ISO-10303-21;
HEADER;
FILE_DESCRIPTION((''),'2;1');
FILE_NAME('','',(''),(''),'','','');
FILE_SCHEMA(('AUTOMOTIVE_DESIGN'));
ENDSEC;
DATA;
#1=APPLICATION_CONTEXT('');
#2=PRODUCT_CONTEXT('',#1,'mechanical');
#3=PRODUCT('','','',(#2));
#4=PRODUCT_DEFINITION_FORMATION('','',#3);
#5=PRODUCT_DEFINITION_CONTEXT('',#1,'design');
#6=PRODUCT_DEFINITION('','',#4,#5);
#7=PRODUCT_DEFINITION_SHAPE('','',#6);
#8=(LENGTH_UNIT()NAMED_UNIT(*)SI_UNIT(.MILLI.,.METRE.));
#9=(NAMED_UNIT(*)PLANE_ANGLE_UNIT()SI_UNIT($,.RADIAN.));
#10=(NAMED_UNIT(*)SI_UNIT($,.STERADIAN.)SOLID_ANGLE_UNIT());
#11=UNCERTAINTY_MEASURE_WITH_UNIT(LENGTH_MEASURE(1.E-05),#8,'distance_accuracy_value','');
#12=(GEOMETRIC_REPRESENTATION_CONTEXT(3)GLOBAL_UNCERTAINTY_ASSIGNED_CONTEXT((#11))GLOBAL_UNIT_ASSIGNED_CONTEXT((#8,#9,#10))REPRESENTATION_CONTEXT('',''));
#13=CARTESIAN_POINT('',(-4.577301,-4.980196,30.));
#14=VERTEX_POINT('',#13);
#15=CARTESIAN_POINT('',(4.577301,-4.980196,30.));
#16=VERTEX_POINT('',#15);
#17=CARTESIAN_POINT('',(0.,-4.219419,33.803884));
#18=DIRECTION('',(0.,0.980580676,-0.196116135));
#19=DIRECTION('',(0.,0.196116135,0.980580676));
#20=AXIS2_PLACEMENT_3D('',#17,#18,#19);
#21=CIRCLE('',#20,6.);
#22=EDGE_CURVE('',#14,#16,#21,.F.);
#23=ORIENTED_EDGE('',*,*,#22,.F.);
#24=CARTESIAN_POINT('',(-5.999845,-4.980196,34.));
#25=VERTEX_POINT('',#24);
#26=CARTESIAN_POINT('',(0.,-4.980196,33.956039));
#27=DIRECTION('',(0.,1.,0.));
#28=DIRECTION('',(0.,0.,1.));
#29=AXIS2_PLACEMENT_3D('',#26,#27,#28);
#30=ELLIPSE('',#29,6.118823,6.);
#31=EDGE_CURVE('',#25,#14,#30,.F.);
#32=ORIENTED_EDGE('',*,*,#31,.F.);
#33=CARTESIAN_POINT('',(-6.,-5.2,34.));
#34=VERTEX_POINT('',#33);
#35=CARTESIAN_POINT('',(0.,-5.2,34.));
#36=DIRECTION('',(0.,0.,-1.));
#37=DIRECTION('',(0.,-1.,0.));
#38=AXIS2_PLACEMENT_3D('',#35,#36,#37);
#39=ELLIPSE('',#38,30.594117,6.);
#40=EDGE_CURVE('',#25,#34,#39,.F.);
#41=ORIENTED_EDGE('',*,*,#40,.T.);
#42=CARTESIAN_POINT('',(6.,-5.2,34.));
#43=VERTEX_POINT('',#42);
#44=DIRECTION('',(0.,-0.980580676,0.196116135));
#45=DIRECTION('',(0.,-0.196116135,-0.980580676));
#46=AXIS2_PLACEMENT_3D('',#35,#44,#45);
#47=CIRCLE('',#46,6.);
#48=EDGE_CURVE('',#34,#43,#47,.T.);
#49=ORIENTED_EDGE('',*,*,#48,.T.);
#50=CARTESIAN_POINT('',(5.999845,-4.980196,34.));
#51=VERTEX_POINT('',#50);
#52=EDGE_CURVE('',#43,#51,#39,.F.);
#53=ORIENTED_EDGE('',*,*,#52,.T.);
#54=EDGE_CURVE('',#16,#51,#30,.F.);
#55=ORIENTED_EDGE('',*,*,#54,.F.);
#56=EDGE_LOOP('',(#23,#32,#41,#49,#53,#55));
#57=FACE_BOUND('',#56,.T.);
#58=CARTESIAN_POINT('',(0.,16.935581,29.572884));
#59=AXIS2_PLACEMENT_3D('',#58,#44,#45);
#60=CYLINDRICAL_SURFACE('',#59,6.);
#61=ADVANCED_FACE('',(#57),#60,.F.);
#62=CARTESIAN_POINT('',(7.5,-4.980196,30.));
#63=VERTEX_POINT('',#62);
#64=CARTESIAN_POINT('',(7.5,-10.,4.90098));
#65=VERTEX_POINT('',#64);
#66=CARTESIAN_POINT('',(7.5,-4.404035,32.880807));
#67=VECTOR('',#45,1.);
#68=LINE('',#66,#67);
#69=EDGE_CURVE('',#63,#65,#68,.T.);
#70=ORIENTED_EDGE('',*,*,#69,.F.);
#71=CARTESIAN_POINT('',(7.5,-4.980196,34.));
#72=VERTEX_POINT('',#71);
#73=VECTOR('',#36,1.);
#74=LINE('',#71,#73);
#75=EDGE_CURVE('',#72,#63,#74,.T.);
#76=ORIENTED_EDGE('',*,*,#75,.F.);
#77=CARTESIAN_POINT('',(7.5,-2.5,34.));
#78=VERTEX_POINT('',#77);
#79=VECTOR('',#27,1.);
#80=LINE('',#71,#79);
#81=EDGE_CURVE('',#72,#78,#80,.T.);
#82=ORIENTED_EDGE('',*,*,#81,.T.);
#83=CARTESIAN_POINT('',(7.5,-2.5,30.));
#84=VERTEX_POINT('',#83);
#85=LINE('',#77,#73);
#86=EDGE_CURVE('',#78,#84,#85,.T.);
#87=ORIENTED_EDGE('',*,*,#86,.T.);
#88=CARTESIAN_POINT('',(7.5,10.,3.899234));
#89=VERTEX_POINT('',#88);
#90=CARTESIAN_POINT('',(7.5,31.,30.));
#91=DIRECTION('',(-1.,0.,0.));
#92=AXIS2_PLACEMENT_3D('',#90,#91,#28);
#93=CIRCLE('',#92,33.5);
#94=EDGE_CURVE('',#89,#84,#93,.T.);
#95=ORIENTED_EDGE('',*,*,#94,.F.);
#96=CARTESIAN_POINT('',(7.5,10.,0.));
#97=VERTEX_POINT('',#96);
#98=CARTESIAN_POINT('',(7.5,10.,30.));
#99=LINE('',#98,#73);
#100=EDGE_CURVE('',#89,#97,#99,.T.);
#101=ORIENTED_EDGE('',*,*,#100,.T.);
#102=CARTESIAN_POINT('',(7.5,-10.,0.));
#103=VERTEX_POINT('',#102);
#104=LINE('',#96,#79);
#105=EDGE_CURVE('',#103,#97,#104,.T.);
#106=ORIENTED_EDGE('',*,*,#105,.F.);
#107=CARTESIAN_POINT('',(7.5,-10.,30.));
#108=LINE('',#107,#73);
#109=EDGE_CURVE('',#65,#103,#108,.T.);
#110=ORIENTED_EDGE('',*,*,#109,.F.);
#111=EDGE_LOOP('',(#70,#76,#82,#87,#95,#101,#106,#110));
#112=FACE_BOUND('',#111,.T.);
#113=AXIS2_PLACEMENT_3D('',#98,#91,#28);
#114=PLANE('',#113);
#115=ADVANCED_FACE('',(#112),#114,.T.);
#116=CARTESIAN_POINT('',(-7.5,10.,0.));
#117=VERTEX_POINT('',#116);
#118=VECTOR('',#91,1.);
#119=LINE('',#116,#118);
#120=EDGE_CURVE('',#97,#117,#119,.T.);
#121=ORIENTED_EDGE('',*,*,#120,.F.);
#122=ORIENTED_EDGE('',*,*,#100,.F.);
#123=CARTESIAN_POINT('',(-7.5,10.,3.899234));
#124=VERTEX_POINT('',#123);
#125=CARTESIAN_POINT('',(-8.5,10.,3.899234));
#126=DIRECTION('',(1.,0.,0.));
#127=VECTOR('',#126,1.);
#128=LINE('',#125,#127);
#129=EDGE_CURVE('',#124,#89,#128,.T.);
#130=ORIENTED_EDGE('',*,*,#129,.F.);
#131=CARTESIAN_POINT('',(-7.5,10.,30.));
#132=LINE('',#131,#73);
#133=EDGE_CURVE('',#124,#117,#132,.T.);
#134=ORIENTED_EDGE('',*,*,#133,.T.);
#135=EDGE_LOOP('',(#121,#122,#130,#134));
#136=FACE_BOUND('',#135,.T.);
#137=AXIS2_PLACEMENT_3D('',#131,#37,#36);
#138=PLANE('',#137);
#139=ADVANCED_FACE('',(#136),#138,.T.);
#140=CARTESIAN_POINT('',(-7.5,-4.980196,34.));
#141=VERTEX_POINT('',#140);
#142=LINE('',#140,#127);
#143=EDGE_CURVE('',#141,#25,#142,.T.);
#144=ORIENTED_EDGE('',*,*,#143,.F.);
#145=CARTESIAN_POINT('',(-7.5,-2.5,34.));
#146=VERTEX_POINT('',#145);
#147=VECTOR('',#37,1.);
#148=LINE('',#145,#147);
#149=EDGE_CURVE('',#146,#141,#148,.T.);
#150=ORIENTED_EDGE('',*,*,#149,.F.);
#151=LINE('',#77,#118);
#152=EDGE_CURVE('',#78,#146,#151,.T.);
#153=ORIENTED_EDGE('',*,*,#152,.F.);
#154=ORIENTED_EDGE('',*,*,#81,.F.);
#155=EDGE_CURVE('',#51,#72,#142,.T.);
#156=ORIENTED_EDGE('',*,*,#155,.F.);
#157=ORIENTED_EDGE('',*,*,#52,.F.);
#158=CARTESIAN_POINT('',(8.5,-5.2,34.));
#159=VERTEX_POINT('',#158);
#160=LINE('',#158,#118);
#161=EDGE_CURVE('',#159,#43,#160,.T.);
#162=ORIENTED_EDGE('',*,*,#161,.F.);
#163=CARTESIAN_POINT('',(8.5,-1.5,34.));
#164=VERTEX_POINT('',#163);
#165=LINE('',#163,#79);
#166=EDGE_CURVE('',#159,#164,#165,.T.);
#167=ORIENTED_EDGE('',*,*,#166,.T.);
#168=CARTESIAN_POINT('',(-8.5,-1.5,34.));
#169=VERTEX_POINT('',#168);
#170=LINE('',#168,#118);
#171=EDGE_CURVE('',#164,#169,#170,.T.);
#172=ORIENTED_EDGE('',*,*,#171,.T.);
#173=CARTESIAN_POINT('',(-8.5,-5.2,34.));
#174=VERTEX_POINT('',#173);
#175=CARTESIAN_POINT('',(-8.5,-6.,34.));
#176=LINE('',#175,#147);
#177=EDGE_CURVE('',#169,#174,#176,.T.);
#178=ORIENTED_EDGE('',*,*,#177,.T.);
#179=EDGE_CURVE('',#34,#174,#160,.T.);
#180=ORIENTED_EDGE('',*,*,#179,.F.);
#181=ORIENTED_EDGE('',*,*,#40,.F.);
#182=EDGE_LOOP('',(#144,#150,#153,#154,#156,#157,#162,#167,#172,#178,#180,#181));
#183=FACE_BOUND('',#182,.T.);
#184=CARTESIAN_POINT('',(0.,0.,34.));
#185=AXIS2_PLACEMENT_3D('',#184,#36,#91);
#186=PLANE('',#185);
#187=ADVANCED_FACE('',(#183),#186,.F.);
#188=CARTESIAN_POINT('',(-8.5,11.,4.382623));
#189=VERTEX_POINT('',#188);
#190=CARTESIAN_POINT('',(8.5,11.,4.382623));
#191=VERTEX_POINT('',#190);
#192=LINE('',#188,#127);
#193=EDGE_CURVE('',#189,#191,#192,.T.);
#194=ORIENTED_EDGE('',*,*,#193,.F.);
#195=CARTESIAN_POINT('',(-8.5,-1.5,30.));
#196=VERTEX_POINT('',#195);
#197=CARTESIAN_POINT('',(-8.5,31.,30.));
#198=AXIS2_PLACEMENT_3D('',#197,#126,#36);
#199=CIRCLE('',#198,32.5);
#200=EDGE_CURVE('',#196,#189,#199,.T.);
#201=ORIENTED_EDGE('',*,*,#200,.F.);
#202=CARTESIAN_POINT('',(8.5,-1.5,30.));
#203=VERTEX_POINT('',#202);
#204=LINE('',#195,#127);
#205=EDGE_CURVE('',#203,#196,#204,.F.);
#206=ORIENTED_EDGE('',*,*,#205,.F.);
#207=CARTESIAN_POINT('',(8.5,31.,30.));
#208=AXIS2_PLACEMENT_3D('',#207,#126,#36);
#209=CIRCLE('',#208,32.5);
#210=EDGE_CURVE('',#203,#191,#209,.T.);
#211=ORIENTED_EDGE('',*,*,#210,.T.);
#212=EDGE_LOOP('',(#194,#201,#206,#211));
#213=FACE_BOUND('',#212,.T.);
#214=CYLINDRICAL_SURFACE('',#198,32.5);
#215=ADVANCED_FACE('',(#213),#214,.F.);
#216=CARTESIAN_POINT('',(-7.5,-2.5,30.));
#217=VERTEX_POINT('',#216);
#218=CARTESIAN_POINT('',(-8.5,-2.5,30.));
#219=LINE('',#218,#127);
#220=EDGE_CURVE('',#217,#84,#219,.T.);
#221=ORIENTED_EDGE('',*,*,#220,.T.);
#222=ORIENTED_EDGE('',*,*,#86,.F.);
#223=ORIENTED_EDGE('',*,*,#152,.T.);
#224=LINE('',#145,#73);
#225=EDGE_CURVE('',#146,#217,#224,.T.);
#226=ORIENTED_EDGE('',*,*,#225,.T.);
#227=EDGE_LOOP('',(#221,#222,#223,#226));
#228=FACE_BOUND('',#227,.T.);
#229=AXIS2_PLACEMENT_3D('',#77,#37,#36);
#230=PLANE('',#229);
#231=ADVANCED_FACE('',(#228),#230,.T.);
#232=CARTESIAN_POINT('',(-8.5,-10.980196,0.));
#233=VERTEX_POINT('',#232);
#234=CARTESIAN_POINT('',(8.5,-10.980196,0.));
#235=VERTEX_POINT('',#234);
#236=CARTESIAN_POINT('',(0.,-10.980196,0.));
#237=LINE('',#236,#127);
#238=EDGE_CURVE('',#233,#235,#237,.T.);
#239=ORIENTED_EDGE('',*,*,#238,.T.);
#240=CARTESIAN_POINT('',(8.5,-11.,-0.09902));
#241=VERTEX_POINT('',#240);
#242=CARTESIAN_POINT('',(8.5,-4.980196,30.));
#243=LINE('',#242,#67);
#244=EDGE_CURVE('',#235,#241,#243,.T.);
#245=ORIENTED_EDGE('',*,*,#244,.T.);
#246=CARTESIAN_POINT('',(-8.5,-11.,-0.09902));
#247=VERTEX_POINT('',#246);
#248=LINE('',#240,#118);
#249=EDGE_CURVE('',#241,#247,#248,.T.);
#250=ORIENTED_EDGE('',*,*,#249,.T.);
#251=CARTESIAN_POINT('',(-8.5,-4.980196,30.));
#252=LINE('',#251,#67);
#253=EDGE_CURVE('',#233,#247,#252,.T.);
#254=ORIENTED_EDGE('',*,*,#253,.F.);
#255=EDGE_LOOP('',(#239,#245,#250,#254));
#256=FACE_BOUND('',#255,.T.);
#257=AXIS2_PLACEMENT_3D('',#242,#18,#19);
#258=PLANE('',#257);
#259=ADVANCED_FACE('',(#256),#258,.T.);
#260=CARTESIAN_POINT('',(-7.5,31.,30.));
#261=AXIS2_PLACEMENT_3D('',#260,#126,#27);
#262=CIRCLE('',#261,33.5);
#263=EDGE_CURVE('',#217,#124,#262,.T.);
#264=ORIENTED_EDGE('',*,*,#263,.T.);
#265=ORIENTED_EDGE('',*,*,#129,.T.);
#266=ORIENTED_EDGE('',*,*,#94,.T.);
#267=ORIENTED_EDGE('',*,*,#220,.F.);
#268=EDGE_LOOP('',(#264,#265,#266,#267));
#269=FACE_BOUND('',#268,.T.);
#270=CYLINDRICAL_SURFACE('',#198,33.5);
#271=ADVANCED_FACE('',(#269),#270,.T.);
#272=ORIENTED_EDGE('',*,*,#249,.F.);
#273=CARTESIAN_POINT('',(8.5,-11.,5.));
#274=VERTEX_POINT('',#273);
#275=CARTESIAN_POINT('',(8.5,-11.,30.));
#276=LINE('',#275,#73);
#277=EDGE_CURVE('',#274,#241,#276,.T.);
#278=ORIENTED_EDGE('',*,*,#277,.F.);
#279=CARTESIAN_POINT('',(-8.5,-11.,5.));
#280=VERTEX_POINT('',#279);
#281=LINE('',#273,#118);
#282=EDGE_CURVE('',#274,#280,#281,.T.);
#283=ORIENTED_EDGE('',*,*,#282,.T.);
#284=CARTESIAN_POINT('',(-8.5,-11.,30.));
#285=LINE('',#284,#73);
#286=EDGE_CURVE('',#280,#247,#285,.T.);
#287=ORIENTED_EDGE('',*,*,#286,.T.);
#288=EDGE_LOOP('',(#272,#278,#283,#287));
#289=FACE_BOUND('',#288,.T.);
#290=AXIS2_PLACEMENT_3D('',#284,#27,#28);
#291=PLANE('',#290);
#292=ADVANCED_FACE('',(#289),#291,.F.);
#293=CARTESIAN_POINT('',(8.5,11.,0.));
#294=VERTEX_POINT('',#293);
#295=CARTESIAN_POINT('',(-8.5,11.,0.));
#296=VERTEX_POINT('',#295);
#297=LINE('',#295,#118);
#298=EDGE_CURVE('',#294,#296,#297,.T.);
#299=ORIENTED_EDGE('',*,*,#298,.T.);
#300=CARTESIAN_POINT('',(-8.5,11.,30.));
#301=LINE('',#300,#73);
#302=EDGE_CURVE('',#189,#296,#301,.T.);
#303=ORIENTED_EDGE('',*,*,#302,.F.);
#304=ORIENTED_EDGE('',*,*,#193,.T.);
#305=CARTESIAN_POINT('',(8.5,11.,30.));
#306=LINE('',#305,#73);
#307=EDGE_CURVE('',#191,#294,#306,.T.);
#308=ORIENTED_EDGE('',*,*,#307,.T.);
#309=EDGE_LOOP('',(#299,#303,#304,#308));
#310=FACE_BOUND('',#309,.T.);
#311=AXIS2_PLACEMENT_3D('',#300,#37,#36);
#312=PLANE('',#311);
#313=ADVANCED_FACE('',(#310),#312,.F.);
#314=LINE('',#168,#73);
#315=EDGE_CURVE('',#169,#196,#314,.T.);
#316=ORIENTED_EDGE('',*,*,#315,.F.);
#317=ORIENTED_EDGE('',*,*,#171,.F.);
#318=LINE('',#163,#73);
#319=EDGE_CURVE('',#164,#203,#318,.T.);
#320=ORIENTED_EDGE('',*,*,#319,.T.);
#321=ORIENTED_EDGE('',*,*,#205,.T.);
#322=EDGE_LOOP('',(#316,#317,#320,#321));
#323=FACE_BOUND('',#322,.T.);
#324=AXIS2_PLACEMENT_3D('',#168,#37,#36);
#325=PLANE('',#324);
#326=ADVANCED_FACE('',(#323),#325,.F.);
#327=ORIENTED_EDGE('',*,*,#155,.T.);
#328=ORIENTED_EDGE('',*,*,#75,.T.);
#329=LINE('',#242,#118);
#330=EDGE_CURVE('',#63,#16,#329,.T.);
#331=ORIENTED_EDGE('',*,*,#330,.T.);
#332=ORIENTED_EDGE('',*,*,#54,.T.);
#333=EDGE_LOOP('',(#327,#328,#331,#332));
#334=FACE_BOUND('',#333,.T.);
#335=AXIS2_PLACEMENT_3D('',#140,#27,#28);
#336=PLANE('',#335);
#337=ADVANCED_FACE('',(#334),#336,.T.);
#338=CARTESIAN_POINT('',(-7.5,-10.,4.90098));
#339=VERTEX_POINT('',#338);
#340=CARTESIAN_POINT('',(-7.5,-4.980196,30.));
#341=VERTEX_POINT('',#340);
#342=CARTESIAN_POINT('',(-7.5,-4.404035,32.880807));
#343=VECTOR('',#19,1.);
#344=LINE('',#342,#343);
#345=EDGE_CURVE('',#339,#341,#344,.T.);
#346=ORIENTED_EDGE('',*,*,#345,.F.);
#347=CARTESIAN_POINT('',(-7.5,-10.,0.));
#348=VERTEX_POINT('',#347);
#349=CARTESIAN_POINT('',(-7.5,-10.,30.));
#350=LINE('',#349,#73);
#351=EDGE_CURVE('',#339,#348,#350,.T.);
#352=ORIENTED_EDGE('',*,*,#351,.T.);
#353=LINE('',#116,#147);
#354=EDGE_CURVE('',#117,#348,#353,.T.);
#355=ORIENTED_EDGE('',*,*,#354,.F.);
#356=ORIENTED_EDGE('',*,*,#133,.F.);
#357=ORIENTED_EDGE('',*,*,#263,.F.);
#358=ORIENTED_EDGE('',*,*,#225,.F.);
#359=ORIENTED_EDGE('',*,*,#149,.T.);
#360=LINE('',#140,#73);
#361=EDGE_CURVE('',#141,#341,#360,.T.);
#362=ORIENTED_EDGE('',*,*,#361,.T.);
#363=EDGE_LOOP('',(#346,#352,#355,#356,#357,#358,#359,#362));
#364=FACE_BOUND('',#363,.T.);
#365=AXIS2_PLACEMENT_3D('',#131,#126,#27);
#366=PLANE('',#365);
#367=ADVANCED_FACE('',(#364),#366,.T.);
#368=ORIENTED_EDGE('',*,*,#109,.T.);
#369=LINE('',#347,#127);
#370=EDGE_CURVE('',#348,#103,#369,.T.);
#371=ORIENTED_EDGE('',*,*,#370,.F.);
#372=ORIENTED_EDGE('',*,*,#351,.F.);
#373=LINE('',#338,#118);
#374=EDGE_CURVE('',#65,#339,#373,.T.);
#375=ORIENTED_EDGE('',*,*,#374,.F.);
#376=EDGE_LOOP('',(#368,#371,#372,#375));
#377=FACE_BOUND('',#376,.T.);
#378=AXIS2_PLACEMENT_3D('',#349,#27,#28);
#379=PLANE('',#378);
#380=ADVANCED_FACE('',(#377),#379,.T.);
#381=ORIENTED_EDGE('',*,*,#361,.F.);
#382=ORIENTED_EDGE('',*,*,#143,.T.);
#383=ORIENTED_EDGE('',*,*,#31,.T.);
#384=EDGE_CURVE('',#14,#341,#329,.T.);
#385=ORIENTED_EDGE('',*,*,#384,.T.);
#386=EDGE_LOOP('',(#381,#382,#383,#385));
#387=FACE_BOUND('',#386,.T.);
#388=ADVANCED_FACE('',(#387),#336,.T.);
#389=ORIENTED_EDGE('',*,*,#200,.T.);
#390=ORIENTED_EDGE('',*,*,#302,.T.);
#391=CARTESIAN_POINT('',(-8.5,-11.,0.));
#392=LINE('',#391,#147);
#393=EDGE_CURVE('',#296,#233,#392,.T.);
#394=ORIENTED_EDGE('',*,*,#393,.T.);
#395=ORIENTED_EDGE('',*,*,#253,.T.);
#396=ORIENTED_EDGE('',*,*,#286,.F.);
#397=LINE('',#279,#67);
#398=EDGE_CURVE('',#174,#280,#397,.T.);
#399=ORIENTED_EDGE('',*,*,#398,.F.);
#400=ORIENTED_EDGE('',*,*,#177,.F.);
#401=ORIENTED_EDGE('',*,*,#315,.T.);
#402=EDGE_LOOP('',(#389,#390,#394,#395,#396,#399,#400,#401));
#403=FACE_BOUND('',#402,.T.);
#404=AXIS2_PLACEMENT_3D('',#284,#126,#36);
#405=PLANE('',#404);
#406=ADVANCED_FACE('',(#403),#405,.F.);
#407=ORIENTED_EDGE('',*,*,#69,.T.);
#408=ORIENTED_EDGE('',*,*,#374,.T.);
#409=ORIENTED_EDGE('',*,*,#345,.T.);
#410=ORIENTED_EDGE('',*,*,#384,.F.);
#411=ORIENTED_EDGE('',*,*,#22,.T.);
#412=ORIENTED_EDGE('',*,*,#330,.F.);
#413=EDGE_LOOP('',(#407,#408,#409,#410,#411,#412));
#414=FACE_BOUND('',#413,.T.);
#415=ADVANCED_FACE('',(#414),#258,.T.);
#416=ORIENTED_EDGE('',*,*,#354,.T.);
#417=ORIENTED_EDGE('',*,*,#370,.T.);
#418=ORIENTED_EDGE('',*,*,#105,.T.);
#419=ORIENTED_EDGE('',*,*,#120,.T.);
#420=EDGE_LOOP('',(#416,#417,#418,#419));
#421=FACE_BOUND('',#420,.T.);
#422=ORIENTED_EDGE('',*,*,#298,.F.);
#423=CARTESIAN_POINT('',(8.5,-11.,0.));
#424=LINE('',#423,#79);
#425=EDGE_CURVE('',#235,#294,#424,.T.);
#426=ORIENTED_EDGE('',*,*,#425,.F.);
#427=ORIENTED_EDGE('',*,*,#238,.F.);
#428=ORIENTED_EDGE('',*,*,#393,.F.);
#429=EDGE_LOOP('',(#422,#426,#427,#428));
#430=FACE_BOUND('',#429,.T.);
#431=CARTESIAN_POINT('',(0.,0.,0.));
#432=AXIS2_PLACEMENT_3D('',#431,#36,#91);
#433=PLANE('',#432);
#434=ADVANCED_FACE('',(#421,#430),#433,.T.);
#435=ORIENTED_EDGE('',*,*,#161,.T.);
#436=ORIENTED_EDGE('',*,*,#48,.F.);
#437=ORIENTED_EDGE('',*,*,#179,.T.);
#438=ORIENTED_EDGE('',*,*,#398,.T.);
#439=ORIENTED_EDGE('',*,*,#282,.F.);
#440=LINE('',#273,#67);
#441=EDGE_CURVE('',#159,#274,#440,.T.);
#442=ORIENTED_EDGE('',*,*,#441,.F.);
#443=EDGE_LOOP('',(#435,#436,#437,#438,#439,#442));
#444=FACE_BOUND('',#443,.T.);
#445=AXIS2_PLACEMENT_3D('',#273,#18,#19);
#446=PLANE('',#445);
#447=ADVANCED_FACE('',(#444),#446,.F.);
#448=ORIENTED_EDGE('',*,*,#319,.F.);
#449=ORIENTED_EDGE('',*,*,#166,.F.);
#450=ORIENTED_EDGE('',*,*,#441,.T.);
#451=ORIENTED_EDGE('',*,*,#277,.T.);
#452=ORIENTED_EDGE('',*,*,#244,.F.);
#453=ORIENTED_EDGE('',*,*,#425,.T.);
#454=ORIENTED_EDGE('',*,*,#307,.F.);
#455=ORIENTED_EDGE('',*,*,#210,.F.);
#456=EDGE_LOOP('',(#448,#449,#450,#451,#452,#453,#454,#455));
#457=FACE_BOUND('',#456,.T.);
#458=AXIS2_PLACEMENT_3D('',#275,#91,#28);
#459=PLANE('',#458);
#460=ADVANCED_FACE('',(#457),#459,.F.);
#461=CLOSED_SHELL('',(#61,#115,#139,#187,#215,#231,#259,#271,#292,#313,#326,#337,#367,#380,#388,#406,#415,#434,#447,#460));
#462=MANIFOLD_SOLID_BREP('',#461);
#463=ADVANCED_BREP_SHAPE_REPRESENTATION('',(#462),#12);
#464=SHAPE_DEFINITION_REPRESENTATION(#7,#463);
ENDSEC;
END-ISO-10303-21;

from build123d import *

# Parameters (mm, degrees)
SKETCH1_W           = 17
SKETCH1_H           = 22
SKETCH1_W_2         = 15
SKETCH1_H_2         = 20
BOSS_EXTRUDE1_DEPTH = 30
SKETCH2_R           = 32.5
CUT_EXTRUDE1_DEPTH  = 37.193922142
BOSS_EXTRUDE2_REACH = 38.194
CUT_EXTRUDE2_DEPTH  = 37.193922142
BOSS_EXTRUDE3_START = -17
BOSS_EXTRUDE3_DEPTH = 17
SKETCH6_W           = 17
SKETCH6_H           = 4.5
SKETCH6_W_2         = 15
SKETCH6_H_2         = 2.480196097
BOSS_EXTRUDE4_DEPTH = 4
CUT_EXTRUDE3_DEPTH  = 40.572717875
CUT_EXTRUDE4_REACH  = 41.807
SKETCH8_R           = 6


with BuildPart() as part:
    # Sketch1 → Boss-Extrude1 (new body)
    with BuildSketch(Plane.XY):
        Rectangle(SKETCH1_W, SKETCH1_H)
        Rectangle(SKETCH1_W_2, SKETCH1_H_2, mode=Mode.SUBTRACT)
    extrude(amount=BOSS_EXTRUDE1_DEPTH)

    # Sketch2 → Cut-Extrude1 (cut, through all)
    with BuildSketch(Plane(origin=(8.5, 0, 0), x_dir=(0, 0, -1), z_dir=(1, 0, 0))):
        with Locations((-30, 31)):
            Circle(SKETCH2_R)
    extrude(amount=-CUT_EXTRUDE1_DEPTH, mode=Mode.SUBTRACT)

    # Sketch3 → Boss-Extrude2 (add, up to next)
    with BuildSketch(Plane(origin=(8.5, 0, 0), x_dir=(0, 0, -1), z_dir=(1, 0, 0)), mode=Mode.PRIVATE) as boss_extrude2_sk1:
        with BuildLine():
            Line((-30, -1.5), (-30, -2.5))
            ThreePointArc((-30, -2.5), (-14.962546758, 1.064653), (-3.125290699, 11))
            Line((-3.125290699, 11), (-4.382623085, 11))
            ThreePointArc((-4.382623085, 11), (-15.747807186, 1.791696386), (-30, -1.5))
        make_face()
    boss_extrude2_tool1 = extrude(boss_extrude2_sk1.sketch, amount=-BOSS_EXTRUDE2_REACH, mode=Mode.PRIVATE) - part.part
    add(boss_extrude2_tool1.solids().sort_by_distance((8.5, 1.521408, 15.61592))[0])

    # Sketch4 → Cut-Extrude2 (cut, through all)
    with BuildSketch(Plane.ZY.offset(8.5)):
        Polygon((5, -11), (30, -6), (30, -11), align=None)
    extrude(amount=-CUT_EXTRUDE2_DEPTH, mode=Mode.SUBTRACT)

    # Sketch5 → Boss-Extrude3 (add)
    with BuildSketch(Plane.ZY.offset(8.5).offset(BOSS_EXTRUDE3_START)):
        Polygon((5, -11), (30, -6), (30, -4.980196097), (-0.099019514, -11), align=None)
    extrude(amount=BOSS_EXTRUDE3_DEPTH)

    # Sketch6 → Boss-Extrude4 (add)
    with BuildSketch(Plane.XY.offset(30)):
        with Locations((0, -3.75)):
            Rectangle(SKETCH6_W, SKETCH6_H)
        with Locations((0, -3.740098049)):
            Rectangle(SKETCH6_W_2, SKETCH6_H_2, mode=Mode.SUBTRACT)
    extrude(amount=BOSS_EXTRUDE4_DEPTH)

    # Sketch7 → Cut-Extrude3 (cut, through all)
    with BuildSketch(Plane.ZY.offset(8.5)):
        Polygon((24, -7.2), (34, -5.2), (34, -7.2), align=None)
    extrude(amount=-CUT_EXTRUDE3_DEPTH, mode=Mode.SUBTRACT)

    # Sketch8 → Cut-Extrude4 (cut, up to next)
    with BuildSketch(Plane(origin=(0, -11.538461538, 2.307692308), x_dir=(1, 0, 0), z_dir=(0, -0.9805806756909202, 0.19611613513818413)), mode=Mode.PRIVATE) as cut_extrude4_sk1:
        with Locations((0, 32.319939071)):
            Circle(SKETCH8_R)
    cut_extrude4_tool1 = extrude(cut_extrude4_sk1.sketch, amount=-CUT_EXTRUDE4_REACH, mode=Mode.PRIVATE) & part.part
    add(cut_extrude4_tool1.solids().sort_by_distance((0, -5.2, 34))[0], mode=Mode.SUBTRACT)


solid = part.part
